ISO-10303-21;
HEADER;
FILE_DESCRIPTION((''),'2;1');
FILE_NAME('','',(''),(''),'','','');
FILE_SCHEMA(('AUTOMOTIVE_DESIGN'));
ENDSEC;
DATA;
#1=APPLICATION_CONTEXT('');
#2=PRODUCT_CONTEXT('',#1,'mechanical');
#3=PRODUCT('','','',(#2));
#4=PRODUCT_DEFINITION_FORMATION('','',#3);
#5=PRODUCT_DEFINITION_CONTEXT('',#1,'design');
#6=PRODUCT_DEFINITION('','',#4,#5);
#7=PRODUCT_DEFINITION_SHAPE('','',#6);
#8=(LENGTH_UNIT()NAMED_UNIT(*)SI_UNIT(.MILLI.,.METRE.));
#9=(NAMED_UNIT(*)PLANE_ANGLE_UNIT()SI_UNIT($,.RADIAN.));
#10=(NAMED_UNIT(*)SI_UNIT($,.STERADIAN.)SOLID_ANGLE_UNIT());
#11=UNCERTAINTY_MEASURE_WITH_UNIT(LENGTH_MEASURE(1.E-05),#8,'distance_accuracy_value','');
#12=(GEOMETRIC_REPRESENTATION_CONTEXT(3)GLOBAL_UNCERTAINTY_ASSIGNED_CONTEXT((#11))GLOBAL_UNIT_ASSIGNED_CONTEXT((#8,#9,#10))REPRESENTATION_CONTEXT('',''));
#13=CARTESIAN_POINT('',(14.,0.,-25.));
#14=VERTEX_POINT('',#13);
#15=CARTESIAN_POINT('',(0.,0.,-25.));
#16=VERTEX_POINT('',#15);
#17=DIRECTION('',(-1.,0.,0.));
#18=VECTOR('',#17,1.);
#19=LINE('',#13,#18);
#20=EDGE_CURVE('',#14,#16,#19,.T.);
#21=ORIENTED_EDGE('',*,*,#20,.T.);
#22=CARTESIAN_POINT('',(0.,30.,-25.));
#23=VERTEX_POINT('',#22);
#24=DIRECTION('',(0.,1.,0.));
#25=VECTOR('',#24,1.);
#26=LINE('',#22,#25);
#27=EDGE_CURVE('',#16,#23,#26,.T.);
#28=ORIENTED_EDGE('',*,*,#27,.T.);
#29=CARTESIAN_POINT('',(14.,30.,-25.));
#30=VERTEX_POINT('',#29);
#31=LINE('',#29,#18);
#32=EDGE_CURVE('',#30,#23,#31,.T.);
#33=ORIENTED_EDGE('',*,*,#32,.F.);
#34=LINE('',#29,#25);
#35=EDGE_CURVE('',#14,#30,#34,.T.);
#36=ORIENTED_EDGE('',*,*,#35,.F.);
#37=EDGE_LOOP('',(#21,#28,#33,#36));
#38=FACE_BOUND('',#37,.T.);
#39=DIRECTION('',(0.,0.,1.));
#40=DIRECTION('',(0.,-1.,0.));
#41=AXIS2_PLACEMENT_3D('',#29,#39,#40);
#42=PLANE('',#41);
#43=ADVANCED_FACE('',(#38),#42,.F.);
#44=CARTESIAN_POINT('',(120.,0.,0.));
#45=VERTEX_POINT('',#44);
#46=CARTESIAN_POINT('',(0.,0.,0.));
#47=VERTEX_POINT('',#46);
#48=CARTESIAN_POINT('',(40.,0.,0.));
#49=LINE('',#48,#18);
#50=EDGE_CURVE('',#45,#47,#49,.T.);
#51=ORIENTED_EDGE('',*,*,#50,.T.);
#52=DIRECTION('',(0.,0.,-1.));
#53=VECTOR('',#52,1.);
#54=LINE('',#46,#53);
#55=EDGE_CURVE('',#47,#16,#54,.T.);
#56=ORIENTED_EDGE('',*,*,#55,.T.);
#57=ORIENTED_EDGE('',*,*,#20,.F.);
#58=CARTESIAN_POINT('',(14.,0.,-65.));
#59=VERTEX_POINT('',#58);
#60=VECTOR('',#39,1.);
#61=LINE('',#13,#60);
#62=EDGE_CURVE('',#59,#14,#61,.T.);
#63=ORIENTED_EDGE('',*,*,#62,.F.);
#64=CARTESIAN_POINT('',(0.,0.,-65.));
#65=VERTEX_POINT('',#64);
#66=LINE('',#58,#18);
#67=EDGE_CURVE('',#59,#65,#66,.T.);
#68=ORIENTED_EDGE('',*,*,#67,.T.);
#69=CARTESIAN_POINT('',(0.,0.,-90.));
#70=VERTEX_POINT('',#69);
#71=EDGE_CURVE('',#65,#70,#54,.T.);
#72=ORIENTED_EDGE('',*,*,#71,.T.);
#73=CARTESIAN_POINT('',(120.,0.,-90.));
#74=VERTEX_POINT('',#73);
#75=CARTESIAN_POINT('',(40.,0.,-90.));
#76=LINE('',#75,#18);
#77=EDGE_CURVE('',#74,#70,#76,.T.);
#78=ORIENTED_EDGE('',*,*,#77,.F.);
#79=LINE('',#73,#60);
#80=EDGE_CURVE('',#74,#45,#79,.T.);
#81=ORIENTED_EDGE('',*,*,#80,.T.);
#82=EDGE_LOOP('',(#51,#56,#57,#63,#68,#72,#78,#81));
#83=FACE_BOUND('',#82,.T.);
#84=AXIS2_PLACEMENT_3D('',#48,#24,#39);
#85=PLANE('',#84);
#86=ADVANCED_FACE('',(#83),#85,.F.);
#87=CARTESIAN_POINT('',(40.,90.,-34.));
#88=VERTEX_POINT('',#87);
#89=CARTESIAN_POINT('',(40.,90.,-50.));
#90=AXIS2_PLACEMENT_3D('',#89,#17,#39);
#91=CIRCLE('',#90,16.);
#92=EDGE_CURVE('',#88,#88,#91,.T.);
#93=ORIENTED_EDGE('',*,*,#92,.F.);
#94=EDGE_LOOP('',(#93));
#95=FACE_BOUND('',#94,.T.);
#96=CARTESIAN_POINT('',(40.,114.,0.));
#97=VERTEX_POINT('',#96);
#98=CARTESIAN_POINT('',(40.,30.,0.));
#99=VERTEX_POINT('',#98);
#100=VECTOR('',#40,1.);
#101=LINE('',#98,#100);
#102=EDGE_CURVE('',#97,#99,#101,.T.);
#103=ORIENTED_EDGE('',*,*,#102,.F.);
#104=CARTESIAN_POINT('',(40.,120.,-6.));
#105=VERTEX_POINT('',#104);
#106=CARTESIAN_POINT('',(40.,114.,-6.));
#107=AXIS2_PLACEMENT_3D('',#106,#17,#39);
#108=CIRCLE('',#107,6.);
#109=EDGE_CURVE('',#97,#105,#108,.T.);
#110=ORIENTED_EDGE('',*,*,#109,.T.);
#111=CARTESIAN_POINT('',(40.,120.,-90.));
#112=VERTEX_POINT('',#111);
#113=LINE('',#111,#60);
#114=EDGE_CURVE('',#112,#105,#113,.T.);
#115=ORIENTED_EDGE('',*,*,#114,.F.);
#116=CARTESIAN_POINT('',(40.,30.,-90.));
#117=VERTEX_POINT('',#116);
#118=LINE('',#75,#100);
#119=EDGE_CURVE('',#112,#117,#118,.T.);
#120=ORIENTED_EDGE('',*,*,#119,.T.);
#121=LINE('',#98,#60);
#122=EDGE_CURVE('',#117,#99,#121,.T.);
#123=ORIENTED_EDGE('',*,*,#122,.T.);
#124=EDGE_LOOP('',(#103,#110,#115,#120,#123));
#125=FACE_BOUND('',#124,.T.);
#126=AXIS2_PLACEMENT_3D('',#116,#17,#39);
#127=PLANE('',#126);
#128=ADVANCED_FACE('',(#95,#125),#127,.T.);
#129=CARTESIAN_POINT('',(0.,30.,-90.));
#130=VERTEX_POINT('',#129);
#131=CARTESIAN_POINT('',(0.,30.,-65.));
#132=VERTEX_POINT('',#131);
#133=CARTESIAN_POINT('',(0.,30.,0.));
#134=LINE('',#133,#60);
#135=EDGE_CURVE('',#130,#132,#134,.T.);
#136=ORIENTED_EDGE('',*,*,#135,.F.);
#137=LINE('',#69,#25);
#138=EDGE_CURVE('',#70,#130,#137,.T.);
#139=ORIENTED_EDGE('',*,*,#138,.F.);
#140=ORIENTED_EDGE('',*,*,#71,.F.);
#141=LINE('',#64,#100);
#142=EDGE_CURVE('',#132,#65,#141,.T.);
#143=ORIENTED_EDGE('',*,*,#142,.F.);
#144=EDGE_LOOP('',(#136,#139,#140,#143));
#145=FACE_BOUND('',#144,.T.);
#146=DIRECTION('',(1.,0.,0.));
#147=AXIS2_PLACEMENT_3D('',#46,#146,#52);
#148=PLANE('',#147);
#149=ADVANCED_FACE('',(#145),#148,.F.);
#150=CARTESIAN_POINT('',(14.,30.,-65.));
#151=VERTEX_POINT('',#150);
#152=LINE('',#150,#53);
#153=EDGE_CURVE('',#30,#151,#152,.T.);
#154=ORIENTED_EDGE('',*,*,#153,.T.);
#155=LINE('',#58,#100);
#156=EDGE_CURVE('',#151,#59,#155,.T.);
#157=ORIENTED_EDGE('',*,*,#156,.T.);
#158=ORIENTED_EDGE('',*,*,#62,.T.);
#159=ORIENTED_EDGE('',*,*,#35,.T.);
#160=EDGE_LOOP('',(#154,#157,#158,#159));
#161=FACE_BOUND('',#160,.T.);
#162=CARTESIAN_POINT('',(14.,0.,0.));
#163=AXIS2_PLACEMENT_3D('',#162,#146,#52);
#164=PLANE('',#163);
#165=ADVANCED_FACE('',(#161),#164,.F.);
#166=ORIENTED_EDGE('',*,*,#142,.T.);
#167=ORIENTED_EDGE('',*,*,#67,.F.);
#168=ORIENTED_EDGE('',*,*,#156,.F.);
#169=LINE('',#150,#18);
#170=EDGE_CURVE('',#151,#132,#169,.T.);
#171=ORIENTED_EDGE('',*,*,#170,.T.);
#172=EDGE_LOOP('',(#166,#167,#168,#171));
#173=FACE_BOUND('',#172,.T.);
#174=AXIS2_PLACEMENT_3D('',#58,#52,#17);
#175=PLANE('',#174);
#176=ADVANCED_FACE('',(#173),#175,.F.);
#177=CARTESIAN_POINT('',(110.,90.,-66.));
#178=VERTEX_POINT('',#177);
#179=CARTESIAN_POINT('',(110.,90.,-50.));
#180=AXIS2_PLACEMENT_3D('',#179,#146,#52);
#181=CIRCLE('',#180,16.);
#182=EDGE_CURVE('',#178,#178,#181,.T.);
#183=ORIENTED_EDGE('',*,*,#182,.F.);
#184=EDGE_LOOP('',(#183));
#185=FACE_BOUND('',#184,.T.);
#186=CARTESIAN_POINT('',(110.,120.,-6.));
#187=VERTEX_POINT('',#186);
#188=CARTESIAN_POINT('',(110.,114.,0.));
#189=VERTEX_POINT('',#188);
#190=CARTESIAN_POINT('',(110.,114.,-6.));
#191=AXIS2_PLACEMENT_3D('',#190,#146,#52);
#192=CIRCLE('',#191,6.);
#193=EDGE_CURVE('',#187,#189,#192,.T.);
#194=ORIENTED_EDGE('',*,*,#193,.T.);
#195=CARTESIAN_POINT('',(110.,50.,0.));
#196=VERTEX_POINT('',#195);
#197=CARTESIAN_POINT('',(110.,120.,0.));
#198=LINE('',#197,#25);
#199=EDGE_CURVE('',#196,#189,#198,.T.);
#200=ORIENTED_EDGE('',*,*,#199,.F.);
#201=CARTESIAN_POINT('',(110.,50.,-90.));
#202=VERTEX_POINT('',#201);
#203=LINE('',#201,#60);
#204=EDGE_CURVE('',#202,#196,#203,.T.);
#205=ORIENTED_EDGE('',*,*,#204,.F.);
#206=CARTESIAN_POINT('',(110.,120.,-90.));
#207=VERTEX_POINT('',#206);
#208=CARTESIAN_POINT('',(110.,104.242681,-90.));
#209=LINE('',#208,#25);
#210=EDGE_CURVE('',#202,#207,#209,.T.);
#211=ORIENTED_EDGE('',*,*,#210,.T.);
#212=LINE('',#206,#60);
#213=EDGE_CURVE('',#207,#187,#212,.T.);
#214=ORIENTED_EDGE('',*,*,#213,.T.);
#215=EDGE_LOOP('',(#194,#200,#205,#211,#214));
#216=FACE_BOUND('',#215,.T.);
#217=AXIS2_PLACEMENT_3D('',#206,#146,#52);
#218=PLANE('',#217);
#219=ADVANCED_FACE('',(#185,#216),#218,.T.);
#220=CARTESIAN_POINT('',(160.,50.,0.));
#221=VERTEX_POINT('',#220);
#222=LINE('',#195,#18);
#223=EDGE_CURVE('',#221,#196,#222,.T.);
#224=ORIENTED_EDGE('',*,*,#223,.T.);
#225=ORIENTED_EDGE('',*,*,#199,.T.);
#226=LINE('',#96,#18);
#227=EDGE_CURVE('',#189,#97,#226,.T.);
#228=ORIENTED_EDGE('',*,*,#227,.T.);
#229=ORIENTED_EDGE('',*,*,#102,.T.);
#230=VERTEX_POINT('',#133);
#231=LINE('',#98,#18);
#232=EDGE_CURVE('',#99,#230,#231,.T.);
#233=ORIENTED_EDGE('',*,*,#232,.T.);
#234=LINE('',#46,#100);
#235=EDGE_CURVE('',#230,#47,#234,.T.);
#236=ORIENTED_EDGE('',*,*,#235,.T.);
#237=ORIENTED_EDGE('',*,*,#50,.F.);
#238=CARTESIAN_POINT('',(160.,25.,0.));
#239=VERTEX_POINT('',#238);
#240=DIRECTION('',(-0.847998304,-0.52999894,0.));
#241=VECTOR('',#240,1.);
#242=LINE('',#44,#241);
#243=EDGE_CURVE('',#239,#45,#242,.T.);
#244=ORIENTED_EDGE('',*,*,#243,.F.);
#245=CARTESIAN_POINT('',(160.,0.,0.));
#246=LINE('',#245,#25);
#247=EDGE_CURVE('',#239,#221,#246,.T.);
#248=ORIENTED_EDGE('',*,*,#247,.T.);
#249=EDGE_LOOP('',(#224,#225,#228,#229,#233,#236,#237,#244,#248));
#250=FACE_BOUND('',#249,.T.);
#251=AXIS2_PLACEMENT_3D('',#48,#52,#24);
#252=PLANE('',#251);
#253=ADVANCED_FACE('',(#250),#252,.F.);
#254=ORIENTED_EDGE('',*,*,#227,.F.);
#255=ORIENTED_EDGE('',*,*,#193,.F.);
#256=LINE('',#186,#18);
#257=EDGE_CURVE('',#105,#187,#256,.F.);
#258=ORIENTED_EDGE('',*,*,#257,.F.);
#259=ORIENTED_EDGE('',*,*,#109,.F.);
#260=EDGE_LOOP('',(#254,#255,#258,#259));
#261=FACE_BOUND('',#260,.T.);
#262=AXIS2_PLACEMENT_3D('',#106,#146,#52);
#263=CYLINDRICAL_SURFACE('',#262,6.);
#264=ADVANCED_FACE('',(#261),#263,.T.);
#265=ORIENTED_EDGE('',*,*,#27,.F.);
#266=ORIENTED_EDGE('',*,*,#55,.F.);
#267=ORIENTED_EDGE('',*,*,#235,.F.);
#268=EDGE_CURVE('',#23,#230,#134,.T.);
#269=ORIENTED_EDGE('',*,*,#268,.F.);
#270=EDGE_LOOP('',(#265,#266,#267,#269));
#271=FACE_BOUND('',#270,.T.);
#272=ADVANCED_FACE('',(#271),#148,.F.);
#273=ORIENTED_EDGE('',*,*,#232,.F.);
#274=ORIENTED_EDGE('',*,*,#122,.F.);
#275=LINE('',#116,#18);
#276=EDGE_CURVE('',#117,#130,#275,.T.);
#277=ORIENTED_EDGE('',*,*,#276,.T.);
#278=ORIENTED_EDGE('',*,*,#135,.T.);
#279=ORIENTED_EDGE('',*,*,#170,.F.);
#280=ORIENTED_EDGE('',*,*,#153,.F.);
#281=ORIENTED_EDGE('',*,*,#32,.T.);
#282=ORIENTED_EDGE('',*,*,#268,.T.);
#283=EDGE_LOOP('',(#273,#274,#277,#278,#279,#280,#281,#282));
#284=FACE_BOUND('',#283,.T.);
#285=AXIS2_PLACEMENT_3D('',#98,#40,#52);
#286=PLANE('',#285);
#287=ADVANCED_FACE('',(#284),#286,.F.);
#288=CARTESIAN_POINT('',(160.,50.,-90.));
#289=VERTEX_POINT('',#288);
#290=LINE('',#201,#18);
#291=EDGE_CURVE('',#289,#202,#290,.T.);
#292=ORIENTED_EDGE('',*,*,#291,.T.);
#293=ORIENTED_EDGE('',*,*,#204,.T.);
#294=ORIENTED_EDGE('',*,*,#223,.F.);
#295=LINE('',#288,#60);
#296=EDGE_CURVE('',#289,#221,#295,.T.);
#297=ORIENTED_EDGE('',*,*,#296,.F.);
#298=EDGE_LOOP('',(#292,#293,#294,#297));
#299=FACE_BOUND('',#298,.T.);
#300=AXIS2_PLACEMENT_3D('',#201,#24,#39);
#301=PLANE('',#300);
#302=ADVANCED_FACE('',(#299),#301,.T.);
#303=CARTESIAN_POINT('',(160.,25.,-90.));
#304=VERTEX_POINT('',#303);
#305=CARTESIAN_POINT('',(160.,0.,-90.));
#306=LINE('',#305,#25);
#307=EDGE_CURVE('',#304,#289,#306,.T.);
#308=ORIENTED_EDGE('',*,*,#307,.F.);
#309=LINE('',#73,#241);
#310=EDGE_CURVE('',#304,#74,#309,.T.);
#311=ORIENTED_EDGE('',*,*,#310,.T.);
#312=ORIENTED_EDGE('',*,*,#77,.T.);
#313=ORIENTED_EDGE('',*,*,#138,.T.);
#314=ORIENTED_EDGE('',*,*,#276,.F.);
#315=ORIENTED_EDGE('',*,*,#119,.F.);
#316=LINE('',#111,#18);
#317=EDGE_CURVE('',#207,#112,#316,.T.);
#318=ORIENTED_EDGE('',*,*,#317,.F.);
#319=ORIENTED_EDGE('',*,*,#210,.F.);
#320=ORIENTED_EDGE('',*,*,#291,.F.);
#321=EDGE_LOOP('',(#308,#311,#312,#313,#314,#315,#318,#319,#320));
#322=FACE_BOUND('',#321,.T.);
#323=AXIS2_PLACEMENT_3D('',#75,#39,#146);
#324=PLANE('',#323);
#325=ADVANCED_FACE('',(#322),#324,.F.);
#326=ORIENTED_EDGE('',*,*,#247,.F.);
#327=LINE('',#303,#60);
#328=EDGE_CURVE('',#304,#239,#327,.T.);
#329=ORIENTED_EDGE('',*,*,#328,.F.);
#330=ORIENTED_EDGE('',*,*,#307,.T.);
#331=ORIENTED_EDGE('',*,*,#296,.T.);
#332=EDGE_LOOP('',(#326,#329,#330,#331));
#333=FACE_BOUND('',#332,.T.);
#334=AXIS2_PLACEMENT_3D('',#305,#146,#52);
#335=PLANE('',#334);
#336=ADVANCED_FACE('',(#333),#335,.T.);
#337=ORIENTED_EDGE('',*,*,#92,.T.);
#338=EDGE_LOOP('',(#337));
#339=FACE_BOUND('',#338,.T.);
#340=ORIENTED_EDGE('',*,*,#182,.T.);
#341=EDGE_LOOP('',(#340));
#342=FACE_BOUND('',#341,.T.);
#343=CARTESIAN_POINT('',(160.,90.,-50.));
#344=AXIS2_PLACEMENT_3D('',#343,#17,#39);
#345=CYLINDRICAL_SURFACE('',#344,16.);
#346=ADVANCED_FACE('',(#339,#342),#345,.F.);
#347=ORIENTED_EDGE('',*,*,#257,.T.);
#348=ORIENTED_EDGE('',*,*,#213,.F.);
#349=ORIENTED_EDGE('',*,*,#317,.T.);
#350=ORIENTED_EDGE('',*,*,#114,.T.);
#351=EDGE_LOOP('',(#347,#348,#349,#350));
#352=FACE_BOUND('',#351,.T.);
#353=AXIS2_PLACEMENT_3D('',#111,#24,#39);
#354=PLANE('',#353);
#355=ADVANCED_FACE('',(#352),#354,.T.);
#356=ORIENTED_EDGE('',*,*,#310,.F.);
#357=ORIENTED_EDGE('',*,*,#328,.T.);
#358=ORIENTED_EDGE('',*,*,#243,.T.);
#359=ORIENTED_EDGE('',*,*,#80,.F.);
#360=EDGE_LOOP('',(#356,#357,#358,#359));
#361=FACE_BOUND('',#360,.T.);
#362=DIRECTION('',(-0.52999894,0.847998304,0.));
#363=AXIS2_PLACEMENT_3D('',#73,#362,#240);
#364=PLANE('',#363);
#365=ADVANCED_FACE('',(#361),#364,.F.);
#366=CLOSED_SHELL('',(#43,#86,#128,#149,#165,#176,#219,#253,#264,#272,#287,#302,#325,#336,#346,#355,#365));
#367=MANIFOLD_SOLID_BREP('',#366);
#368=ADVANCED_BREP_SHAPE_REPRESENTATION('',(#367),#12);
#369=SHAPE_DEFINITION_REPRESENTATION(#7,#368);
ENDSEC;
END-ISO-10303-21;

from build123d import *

# Parameters (mm, degrees)
ESBO_O1_W                = 25
ESBO_O1_H                = 30
ESBO_O1_W_2              = 40
RESSALTO_EXTRUS_O2_DEPTH = 40
RESSALTO_EXTRUS_O3_DEPTH = 90
ESBO_O3_R                = 16
CORTE_EXTRUS_O1_DEPTH    = 193.093727123
FILETE1_R                = 6
ESBO_O4_W                = 40
ESBO_O4_H                = 30
CORTE_EXTRUS_O2_DEPTH    = 14
CORTE_EXTRUS_O3_DEPTH    = 220.317121995


with BuildPart() as part:
    # Esboço1 → Ressalto-extrusão2 (new body)
    with BuildSketch(Plane(origin=(0, 0, 0), x_dir=(0, 0, -1), z_dir=(1, 0, 0))):
        with Locations((12.5, 15)):
            Rectangle(ESBO_O1_W, ESBO_O1_H)
        with Locations((77.5, 15)):
            Rectangle(ESBO_O1_W, ESBO_O1_H)
        with Locations((45, 15)):
            Rectangle(ESBO_O1_W_2, ESBO_O1_H)
    extrude(amount=RESSALTO_EXTRUS_O2_DEPTH)

    # Esboço2 → Ressalto-extrusão3 (add)
    with BuildSketch(Plane.XY):
        Polygon((40, 30), (40, 120), (110, 120), (110, 104.242681345), (110, 50), (160, 50), (160, 0), (120, 0), (40, 0), align=None)
    extrude(amount=-RESSALTO_EXTRUS_O3_DEPTH)

    # Esboço3 → Corte-extrusão1 (cut, through all)
    with BuildSketch(Plane.ZY.offset(-40)):
        with Locations((-50, 90)):
            Circle(ESBO_O3_R)
    extrude(amount=-CORTE_EXTRUS_O1_DEPTH, mode=Mode.SUBTRACT)

    # Filete1
    filete1_edges = [part.edges().sort_by_distance(p)[0] for p in [
        (75, 120, 0),
    ]]
    fillet(filete1_edges, radius=FILETE1_R)

    # Esboço4 → Corte-extrusão2 (cut)
    with BuildSketch(Plane.ZY):
        with Locations((-45, 15)):
            Rectangle(ESBO_O4_W, ESBO_O4_H)
    extrude(amount=-CORTE_EXTRUS_O2_DEPTH, mode=Mode.SUBTRACT)

    # Esboço5 → Corte-extrusão3 (cut, through all)
    with BuildSketch(Plane.XY):
        Polygon((120, 0), (160, 25), (160, 0), align=None)
    extrude(amount=-CORTE_EXTRUS_O3_DEPTH, mode=Mode.SUBTRACT)


solid = part.part
